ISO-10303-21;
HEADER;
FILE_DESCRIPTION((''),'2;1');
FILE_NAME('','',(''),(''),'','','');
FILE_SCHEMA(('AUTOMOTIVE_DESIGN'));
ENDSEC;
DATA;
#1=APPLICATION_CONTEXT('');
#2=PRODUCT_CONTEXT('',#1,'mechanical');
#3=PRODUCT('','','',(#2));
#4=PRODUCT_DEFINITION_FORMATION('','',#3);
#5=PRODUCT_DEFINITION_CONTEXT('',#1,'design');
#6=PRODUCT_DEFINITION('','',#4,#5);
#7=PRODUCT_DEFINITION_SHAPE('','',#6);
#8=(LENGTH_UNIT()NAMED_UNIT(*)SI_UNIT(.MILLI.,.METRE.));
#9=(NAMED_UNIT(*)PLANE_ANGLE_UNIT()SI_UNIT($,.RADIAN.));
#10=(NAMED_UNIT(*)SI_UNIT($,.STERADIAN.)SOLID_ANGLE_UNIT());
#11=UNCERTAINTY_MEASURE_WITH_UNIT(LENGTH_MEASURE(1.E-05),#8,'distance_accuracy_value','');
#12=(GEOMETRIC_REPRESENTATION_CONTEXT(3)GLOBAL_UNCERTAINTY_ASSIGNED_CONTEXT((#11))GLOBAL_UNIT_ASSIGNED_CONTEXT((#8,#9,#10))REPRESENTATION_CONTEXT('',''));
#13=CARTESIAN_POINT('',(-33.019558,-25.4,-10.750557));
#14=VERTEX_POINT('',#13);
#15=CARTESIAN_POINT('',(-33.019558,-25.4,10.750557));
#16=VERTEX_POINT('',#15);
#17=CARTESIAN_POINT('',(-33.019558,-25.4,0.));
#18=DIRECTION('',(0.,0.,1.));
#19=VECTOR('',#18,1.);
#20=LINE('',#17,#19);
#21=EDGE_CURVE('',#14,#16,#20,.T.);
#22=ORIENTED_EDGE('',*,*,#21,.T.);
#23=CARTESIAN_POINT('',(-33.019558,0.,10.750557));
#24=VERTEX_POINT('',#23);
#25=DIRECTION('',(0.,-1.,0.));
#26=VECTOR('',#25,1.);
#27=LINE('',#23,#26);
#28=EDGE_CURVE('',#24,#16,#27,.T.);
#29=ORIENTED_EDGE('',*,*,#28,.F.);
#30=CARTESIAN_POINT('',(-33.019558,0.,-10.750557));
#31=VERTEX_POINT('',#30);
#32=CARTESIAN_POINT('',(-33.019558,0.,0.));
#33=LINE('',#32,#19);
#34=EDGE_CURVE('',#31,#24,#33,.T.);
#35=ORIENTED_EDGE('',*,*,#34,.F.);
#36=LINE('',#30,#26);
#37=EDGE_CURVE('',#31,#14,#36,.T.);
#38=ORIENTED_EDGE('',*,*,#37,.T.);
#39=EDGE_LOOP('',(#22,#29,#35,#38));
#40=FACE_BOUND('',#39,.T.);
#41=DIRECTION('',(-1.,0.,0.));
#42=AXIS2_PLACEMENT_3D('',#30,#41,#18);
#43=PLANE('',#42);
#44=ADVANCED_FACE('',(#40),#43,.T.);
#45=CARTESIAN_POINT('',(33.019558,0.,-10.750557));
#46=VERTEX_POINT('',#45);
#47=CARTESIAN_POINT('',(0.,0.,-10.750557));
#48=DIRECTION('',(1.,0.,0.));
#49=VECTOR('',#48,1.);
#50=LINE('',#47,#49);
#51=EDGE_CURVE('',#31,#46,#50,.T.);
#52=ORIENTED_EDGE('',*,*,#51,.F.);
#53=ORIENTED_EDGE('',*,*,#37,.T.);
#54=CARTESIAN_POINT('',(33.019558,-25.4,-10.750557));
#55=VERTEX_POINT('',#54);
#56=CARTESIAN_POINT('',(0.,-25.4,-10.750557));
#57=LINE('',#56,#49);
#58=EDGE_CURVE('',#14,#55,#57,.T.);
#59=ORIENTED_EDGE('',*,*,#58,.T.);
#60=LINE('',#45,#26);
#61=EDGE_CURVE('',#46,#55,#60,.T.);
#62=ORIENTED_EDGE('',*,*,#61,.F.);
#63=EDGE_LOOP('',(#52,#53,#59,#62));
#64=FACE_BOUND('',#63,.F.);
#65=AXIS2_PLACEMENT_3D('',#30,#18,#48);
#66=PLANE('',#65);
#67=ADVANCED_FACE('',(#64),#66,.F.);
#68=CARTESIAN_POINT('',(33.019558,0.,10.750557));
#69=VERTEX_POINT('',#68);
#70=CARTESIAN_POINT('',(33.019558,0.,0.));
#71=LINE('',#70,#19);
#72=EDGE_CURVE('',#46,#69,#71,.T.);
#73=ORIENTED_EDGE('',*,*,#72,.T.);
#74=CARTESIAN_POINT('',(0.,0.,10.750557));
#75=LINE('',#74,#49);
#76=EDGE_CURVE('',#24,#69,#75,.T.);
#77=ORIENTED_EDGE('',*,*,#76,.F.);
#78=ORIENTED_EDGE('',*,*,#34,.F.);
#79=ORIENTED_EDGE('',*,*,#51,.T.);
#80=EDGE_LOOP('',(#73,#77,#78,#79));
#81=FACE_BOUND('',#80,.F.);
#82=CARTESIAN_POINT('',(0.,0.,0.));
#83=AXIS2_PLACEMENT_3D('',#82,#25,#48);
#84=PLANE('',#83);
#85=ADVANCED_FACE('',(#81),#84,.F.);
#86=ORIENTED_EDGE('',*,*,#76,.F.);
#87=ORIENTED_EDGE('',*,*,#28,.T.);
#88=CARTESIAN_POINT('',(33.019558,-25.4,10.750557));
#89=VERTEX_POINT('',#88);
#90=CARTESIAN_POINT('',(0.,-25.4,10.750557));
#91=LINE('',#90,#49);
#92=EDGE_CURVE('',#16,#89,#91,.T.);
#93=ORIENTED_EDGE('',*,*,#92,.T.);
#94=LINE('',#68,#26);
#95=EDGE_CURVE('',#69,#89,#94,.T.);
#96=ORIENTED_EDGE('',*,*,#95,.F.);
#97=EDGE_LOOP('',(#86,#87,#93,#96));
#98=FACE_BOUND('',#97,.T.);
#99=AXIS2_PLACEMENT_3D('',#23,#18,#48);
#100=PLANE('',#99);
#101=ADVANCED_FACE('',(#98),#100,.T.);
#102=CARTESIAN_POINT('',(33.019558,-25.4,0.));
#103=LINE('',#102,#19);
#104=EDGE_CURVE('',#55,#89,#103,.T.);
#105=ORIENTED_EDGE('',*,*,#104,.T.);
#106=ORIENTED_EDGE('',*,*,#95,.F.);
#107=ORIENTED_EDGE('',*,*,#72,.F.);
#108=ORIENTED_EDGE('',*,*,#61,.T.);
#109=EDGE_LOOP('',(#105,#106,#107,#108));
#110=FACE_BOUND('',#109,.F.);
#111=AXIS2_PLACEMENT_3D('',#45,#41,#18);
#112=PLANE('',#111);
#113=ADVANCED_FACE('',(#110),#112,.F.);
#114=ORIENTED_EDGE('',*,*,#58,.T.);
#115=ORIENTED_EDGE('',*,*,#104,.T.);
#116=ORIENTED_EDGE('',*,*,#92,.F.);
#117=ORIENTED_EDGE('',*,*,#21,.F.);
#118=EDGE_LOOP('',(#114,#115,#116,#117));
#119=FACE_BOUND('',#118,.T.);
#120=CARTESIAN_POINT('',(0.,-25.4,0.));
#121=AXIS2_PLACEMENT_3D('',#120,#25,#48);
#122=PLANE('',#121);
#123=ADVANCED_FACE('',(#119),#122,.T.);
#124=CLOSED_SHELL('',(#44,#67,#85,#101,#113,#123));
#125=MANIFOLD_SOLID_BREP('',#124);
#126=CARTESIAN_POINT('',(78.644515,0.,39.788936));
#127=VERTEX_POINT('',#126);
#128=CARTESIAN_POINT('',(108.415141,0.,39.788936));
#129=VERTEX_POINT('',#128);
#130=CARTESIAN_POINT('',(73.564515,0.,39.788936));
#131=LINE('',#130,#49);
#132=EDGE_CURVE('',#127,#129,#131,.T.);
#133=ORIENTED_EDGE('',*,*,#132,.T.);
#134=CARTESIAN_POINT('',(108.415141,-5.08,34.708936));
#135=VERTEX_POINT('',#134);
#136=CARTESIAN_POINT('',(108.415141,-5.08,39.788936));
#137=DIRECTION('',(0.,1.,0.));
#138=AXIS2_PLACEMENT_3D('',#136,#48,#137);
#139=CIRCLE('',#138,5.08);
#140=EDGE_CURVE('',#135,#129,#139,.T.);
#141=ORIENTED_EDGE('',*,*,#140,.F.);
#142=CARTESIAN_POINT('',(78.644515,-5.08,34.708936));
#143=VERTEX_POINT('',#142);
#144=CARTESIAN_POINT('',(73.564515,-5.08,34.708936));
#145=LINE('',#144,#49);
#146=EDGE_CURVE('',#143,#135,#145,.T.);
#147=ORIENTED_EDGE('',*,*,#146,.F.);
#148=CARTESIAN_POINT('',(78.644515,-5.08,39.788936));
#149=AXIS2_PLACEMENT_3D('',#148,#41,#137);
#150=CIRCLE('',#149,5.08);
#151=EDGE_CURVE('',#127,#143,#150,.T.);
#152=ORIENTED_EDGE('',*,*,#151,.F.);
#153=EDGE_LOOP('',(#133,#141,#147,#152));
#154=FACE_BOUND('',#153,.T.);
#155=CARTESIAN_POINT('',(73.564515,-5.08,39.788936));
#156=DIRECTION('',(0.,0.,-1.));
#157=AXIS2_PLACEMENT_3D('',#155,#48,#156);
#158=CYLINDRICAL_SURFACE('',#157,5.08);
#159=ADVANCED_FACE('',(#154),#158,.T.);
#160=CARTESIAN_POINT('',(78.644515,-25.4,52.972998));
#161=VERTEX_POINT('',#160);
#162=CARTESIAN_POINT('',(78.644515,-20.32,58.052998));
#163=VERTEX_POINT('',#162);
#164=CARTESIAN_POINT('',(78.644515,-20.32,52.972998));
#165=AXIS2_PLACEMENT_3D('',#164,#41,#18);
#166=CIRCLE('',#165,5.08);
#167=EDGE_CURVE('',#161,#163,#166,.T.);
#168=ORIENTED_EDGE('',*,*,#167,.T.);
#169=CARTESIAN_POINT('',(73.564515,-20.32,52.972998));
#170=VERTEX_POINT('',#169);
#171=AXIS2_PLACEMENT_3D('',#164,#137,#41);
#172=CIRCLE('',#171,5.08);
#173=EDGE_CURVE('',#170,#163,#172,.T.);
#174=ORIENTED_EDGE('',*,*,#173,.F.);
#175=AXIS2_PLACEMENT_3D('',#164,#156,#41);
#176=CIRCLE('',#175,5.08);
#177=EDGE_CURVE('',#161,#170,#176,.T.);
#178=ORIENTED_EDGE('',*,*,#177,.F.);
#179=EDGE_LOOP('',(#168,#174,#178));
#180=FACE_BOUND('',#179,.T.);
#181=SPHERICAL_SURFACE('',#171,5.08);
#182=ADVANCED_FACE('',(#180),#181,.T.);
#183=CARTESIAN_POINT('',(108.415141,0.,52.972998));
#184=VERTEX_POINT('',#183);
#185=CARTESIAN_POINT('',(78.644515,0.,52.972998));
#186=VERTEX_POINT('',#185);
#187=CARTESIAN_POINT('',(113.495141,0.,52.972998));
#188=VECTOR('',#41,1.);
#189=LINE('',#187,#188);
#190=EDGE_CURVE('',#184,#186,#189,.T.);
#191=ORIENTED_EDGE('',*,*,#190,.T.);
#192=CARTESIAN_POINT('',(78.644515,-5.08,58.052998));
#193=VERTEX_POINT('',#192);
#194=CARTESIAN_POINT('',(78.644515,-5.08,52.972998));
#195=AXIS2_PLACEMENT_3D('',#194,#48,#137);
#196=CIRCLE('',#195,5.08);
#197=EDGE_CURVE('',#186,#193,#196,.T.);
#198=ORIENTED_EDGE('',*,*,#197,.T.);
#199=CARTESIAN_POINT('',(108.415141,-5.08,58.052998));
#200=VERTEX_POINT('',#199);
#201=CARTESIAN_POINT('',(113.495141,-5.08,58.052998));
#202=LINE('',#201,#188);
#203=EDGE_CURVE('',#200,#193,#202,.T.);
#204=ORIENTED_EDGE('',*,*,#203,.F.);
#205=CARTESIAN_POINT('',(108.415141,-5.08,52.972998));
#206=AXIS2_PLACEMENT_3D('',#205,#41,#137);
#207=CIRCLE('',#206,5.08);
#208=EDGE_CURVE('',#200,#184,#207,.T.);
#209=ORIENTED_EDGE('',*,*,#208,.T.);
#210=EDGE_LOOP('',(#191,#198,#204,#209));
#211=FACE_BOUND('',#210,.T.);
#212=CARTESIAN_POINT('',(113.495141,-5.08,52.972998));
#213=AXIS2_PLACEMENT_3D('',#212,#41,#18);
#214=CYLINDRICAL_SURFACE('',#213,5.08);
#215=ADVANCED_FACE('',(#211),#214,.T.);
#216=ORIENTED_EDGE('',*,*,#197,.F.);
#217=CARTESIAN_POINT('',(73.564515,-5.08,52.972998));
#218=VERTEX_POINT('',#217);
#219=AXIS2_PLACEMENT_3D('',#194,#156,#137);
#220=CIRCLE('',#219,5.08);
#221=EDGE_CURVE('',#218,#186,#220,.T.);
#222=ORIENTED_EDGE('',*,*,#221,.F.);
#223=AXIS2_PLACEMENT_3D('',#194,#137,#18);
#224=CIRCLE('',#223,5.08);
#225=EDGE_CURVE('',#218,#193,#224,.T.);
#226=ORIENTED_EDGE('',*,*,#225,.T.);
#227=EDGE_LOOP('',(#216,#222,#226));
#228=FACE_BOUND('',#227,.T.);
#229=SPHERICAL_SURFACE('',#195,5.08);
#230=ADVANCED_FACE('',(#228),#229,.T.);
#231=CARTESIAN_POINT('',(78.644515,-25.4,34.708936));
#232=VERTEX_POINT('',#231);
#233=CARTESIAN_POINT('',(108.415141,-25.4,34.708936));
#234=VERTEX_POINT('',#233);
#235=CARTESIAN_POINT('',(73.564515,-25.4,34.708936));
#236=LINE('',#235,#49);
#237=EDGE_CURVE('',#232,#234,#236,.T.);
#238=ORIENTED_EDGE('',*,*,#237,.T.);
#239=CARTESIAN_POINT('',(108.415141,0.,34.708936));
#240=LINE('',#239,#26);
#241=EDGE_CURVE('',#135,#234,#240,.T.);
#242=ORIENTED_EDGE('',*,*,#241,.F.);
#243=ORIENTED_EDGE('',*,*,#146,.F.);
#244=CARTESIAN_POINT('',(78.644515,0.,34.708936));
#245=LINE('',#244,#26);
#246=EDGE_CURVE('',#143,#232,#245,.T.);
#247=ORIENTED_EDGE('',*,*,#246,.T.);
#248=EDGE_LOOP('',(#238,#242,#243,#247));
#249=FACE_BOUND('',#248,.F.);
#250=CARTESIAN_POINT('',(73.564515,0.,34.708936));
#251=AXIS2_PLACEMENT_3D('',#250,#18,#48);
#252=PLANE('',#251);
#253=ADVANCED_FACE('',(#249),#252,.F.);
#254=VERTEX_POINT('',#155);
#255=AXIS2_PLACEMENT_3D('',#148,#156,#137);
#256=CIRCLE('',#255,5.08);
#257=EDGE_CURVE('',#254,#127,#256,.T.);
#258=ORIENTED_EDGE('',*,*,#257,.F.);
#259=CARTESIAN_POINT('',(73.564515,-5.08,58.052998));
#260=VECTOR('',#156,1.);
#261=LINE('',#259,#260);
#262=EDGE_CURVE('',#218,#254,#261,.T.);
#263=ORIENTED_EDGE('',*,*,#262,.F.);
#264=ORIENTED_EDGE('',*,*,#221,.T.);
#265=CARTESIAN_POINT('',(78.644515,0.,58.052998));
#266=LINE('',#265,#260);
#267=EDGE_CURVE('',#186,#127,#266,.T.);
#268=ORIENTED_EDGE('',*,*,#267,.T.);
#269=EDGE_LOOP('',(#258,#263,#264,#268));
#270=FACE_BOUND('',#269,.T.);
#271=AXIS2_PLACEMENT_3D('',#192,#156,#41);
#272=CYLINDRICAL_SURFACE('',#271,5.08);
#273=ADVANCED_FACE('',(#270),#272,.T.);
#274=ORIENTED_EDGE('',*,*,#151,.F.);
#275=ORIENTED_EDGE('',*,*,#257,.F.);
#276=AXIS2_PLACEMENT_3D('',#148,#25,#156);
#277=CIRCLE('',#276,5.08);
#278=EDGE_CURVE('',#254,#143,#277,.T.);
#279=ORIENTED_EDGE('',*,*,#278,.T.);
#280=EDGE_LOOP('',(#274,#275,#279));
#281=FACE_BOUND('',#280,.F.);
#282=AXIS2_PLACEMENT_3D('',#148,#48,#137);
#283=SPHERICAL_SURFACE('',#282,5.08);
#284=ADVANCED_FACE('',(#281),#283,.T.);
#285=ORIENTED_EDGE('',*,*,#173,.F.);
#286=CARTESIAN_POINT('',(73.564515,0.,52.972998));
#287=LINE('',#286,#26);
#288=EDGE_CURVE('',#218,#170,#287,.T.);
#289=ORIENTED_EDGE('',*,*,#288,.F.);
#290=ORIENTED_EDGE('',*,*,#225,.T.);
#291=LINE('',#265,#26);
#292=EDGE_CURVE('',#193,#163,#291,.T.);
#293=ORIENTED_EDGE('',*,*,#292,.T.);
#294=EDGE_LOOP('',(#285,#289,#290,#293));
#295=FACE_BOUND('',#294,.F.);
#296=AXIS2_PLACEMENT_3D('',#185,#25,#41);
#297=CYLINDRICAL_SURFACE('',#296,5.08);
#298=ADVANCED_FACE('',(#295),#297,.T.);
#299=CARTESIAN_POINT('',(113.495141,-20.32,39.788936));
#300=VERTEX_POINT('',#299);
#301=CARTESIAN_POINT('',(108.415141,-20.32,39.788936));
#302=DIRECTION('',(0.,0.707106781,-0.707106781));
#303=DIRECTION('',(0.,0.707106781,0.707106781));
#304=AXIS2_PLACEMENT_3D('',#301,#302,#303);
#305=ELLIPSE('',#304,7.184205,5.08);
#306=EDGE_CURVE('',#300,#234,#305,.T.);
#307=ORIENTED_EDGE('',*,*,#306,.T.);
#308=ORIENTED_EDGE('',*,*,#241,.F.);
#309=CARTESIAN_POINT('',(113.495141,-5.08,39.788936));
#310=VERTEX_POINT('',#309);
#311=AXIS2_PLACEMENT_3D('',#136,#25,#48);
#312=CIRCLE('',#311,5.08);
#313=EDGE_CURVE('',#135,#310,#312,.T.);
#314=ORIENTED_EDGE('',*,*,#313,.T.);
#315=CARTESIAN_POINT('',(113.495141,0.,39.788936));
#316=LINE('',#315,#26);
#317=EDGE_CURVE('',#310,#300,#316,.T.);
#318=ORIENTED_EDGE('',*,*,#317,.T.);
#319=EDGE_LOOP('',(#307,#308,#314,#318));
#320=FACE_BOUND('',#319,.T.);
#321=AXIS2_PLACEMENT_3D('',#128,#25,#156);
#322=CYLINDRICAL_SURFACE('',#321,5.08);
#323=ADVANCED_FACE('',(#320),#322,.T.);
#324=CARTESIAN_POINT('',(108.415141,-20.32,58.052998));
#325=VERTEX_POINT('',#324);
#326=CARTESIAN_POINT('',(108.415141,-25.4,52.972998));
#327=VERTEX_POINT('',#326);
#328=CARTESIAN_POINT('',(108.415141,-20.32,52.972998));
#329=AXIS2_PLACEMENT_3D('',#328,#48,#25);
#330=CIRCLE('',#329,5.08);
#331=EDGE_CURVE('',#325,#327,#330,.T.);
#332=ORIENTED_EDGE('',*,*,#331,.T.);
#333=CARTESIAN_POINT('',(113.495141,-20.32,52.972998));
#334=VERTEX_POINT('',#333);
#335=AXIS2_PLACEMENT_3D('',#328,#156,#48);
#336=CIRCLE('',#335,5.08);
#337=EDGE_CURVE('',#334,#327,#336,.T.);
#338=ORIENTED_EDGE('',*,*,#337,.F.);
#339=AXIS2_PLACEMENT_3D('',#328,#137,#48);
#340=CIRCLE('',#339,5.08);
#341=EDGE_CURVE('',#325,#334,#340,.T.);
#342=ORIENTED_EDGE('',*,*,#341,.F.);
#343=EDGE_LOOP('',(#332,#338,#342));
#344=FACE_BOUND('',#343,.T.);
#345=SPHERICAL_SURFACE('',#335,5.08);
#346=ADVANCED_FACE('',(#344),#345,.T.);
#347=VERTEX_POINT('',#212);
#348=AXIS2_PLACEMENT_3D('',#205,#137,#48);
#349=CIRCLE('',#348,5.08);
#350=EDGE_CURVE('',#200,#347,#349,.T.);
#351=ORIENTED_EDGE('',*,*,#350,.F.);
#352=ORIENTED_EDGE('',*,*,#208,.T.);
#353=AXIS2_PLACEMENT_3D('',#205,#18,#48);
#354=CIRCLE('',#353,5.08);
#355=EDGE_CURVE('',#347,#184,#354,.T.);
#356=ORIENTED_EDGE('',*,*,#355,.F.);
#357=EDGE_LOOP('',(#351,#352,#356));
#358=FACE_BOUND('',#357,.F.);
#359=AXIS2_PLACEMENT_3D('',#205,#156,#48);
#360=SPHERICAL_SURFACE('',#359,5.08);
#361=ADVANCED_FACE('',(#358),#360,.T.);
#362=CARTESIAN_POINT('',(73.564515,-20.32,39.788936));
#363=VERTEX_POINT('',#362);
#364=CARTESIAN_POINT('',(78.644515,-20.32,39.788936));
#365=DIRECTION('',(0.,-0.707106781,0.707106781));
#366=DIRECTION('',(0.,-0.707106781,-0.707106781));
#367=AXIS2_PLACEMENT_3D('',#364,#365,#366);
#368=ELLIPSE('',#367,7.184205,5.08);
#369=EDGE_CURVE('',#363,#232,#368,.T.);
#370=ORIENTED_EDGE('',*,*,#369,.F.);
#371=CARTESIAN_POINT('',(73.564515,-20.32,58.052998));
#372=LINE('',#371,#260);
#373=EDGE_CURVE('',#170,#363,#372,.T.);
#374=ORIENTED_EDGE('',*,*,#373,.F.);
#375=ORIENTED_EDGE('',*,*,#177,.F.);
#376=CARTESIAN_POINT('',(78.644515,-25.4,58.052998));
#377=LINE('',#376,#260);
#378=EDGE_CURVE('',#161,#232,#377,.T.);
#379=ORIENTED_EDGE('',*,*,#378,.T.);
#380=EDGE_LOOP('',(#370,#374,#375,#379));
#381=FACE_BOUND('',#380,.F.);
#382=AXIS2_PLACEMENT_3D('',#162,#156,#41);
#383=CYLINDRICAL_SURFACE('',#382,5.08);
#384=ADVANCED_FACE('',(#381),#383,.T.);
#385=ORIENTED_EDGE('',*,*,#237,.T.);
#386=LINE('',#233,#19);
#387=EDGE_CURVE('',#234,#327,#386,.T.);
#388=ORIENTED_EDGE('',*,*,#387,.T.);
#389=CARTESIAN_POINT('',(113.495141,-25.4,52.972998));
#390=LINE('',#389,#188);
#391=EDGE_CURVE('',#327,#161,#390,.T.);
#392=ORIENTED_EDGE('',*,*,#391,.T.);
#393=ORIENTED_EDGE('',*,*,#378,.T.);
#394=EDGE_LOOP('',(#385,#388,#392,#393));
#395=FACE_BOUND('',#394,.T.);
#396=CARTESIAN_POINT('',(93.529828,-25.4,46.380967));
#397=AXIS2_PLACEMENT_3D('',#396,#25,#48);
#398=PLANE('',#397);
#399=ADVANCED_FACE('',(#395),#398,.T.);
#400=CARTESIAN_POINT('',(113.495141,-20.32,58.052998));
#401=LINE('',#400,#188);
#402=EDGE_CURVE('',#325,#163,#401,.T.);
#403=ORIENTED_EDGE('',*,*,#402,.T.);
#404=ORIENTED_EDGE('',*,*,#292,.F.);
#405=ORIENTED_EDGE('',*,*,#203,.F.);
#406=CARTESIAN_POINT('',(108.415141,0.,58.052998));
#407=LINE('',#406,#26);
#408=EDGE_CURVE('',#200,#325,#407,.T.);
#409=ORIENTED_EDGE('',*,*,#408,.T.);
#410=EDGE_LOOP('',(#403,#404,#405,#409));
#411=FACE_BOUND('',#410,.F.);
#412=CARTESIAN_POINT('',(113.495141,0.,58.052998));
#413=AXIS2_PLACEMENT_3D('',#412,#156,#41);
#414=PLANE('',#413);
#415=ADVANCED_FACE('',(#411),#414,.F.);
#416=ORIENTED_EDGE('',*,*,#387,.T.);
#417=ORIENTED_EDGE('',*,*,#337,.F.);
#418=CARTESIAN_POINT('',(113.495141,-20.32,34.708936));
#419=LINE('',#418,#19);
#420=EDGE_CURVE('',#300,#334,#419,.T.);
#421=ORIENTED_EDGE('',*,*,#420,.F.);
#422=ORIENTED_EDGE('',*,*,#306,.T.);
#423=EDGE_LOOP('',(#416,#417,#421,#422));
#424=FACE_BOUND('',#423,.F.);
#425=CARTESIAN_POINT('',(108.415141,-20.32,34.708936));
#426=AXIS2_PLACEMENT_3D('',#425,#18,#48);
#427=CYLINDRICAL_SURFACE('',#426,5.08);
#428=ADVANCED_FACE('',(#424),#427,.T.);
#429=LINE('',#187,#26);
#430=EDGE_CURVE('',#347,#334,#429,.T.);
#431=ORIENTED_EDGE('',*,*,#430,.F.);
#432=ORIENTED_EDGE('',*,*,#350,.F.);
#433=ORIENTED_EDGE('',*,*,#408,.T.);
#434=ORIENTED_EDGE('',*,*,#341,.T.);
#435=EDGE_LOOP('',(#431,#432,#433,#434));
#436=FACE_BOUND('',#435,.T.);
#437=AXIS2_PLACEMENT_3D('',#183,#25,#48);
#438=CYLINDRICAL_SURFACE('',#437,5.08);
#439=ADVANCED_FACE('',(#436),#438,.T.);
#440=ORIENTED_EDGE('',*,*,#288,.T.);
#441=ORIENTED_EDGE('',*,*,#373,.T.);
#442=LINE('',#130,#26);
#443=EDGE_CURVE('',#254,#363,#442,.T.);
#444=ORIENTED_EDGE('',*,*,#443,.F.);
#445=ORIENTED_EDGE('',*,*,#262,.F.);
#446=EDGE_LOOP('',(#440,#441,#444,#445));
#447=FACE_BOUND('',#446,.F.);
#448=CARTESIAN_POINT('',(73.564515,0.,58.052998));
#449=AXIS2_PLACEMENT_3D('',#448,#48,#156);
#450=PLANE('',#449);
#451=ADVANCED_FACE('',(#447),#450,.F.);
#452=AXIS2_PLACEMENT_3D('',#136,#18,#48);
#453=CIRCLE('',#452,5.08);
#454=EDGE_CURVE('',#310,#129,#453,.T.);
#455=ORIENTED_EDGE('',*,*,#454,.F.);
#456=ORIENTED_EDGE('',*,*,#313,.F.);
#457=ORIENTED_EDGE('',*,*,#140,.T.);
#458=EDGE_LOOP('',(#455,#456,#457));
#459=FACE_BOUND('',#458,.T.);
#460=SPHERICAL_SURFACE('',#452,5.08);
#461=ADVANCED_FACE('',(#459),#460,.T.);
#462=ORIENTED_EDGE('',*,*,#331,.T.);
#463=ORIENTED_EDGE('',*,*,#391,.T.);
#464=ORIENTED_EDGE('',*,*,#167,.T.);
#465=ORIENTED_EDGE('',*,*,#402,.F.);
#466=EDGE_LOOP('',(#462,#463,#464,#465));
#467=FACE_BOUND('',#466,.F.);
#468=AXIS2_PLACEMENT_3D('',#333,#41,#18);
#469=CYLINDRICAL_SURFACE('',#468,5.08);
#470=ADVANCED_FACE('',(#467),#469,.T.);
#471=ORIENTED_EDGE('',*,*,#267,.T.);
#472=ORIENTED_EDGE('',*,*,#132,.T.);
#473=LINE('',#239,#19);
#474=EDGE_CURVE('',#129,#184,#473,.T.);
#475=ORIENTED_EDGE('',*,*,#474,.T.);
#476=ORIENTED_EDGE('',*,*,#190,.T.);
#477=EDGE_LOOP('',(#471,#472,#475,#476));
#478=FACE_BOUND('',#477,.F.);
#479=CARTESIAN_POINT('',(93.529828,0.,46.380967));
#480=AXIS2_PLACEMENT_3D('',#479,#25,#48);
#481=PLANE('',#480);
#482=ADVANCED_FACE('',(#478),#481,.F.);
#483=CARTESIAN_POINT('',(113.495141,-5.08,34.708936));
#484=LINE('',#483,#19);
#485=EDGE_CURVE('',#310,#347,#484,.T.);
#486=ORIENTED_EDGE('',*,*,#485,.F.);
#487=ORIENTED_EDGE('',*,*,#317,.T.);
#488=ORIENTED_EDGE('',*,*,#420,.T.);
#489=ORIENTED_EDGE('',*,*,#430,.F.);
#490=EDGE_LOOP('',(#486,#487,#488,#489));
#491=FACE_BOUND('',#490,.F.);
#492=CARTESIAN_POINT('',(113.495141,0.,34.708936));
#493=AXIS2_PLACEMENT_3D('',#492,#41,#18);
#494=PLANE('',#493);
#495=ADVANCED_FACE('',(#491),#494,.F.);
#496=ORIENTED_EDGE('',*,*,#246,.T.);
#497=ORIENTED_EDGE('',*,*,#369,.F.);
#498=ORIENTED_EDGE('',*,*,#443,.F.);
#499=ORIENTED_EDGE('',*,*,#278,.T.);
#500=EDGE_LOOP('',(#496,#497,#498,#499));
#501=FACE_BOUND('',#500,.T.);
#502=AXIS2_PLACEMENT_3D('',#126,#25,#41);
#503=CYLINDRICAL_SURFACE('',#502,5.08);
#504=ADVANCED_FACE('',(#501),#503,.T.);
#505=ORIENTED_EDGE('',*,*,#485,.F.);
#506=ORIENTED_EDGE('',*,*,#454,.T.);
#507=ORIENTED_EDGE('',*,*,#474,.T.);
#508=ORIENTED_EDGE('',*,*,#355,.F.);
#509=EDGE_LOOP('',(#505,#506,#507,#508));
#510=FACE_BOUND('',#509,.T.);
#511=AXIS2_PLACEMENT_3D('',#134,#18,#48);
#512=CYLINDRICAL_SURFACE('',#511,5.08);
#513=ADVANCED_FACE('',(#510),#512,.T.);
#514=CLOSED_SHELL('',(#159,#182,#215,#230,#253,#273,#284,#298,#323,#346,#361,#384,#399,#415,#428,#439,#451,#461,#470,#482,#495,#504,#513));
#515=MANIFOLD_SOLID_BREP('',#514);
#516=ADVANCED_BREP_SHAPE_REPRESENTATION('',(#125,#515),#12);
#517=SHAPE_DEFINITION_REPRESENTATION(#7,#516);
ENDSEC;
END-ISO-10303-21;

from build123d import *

# Parameters (mm, degrees)
F0_W     = 66.039116
F0_H     = 21.501114
F1_DEPTH = 25.4
F2_R     = 5.08


with BuildPart() as f1:
    # F0 (on Front) → F1 (new body)
    with BuildSketch(Plane.XZ):
        Rectangle(F0_W, F0_H)
        Polygon((73.564515, 58.052998), (73.564515, 39.100903), (73.564515, 34.708936), (113.495141, 34.708936), (113.495141, 58.052998), align=None)
    extrude(amount=F1_DEPTH)

    # F2
    f2_edges = [f1.edges().sort_by_distance(p)[0] for p in [
        (113.495141, 0, 46.380967),
        (113.495141, -25.4, 46.380967),
        (113.495141, -12.7, 34.708936),
        (113.495141, -12.7, 58.052998),
        (93.529828, 0, 58.052998),
        (93.529828, 0, 34.708936),
        (73.564515, 0, 46.380967),
        (73.564515, -12.7, 58.052998),
        (73.564515, -25.4, 46.380967),
        (73.564515, -12.7, 34.708936),
        (93.529828, -25.4, 58.052998),
    ]]
    fillet(f2_edges, radius=F2_R)


solid = f1.part
